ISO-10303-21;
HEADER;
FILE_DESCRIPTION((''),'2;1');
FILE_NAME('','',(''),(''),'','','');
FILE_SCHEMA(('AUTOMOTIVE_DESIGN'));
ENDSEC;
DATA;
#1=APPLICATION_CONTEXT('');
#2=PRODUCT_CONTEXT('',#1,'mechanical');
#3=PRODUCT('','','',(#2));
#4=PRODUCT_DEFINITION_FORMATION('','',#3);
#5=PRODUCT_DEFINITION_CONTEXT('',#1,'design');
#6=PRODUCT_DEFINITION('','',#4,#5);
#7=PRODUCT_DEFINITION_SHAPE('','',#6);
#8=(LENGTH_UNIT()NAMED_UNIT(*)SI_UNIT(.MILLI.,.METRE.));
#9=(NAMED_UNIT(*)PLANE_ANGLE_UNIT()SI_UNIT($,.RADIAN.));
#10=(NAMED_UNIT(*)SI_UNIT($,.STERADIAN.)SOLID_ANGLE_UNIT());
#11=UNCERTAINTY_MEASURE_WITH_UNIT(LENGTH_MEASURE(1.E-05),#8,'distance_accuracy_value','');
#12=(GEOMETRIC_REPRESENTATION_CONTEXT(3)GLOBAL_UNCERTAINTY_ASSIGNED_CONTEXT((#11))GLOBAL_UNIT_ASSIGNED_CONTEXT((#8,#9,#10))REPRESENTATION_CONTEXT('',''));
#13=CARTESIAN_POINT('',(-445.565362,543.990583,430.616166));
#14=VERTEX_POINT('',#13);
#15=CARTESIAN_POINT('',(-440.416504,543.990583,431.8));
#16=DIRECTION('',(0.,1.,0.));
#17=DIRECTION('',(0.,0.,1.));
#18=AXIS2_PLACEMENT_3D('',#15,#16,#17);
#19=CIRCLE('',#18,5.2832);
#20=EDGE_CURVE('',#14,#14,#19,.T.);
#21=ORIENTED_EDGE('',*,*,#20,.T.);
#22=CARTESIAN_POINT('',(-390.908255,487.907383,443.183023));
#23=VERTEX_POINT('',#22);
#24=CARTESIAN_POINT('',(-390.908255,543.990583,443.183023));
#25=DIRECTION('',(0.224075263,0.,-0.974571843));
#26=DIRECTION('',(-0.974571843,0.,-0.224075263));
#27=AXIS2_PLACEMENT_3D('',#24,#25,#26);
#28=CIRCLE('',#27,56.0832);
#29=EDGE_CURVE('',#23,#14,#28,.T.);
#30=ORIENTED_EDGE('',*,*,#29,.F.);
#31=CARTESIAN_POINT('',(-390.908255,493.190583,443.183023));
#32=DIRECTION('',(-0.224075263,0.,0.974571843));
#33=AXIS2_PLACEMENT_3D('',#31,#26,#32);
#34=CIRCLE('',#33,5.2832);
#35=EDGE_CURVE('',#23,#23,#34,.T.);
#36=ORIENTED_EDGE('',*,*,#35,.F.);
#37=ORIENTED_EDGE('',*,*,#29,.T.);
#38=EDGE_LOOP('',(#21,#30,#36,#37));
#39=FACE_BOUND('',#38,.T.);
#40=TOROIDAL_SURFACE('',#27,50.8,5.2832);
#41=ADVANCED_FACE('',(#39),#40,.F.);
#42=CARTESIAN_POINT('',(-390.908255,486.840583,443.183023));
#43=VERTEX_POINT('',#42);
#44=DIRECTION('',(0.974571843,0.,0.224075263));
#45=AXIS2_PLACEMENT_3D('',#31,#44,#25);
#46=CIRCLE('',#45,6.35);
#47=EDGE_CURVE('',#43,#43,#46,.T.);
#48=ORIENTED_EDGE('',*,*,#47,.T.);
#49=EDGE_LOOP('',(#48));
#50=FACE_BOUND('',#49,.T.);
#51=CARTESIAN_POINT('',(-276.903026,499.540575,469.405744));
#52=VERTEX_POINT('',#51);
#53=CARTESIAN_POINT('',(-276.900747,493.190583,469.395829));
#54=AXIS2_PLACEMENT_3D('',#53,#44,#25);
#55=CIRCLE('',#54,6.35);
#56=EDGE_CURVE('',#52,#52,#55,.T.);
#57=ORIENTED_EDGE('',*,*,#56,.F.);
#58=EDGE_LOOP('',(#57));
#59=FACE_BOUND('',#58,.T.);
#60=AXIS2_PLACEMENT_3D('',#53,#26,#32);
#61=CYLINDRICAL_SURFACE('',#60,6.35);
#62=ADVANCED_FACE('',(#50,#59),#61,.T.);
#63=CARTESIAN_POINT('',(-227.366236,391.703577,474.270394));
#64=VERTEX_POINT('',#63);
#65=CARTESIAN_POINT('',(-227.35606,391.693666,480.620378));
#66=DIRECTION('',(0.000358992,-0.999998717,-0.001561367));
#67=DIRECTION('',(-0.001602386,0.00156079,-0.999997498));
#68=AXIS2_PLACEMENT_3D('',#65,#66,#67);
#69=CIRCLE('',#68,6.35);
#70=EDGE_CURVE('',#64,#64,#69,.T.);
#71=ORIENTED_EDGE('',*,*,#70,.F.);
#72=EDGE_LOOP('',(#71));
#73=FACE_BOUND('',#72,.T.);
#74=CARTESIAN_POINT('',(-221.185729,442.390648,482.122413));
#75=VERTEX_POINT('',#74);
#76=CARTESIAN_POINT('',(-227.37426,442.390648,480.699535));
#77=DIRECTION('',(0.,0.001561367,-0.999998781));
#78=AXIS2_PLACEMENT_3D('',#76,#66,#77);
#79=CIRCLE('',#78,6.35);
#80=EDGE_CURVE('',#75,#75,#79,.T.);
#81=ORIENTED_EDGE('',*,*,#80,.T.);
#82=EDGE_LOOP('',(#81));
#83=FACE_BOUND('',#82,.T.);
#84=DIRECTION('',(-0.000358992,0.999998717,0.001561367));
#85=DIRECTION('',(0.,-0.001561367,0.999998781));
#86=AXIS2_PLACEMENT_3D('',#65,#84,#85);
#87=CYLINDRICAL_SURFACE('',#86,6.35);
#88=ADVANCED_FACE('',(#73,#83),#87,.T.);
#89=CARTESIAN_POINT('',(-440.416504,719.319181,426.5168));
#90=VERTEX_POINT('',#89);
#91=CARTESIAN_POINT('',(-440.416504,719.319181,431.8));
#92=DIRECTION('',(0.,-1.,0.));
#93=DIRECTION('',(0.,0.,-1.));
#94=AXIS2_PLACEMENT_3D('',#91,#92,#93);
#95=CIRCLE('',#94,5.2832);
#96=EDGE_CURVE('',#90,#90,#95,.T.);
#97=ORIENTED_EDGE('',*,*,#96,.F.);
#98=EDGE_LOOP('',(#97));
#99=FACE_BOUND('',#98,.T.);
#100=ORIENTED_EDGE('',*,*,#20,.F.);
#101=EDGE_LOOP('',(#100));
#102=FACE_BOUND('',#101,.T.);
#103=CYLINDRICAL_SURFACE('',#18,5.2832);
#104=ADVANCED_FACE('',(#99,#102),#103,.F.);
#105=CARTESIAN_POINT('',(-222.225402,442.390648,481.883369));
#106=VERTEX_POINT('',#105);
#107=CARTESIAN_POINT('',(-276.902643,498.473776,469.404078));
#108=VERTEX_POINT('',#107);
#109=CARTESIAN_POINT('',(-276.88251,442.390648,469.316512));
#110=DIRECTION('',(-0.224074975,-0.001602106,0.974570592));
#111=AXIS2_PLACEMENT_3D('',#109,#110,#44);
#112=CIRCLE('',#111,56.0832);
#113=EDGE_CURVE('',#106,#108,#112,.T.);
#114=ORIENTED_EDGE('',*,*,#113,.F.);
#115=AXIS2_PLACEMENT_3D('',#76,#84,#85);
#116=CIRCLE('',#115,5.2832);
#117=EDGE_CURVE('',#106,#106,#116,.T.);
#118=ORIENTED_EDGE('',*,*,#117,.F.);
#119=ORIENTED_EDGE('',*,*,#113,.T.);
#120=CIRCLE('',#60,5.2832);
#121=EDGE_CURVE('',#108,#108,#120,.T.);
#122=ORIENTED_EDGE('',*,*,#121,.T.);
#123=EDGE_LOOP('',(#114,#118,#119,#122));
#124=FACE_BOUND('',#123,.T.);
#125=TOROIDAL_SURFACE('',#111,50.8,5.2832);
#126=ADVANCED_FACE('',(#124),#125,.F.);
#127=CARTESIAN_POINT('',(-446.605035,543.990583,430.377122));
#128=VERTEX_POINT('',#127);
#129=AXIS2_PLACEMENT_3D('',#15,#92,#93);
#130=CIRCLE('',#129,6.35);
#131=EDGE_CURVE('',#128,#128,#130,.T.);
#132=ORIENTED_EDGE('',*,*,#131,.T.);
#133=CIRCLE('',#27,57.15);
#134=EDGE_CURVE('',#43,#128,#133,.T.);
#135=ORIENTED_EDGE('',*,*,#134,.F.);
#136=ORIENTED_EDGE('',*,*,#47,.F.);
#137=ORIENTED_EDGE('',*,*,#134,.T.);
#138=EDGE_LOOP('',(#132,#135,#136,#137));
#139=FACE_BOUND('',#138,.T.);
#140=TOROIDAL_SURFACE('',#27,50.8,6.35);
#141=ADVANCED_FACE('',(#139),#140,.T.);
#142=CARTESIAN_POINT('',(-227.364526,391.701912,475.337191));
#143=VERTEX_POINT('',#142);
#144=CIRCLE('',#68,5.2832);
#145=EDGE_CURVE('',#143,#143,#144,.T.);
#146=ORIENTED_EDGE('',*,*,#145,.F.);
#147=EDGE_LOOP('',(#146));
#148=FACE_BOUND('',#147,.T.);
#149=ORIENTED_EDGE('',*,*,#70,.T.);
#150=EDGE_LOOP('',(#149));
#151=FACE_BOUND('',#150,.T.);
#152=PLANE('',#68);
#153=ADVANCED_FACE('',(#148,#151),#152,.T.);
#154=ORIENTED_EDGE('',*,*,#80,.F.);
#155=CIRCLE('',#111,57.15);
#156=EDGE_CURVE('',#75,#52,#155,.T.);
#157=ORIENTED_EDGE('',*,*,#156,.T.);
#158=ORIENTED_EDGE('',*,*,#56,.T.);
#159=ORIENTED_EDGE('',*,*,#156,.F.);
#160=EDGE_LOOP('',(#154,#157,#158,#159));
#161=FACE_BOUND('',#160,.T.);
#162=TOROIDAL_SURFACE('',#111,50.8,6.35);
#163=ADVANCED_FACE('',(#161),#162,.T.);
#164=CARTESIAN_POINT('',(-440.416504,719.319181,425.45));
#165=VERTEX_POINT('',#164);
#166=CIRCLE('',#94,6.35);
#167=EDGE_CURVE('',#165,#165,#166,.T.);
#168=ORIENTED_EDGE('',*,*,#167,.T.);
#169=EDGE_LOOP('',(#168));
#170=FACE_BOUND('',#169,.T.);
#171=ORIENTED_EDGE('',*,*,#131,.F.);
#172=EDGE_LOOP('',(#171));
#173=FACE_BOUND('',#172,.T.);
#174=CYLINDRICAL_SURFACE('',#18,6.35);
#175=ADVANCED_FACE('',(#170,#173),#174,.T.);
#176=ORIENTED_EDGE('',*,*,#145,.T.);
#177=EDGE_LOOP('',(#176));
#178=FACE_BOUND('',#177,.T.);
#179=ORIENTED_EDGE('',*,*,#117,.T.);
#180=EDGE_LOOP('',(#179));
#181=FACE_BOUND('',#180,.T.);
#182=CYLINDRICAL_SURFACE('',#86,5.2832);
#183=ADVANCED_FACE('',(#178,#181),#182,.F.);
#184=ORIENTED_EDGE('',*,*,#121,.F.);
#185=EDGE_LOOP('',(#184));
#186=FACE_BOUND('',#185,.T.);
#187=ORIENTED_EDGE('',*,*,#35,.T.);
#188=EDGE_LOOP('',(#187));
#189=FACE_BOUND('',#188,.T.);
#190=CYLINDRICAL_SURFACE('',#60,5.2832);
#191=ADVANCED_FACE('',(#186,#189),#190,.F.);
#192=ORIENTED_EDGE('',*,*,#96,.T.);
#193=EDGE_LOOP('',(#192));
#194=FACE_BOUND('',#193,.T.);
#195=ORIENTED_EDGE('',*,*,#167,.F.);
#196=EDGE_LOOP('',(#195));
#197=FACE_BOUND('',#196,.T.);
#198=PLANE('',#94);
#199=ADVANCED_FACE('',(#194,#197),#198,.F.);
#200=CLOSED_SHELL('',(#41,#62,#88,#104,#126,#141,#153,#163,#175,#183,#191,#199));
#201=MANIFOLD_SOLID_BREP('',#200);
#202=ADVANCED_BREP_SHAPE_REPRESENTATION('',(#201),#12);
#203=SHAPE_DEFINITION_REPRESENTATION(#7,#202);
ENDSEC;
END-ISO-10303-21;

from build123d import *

# Parameters (mm, degrees)
SKETCH1_R                 = 6.35
SKETCH1_R_2               = 5.2832
PIPE_0_5_SCH_40_1_DEPTH   = 175.328598267
SKETCH1_ON_SEGMENT_2_R    = 6.35
SKETCH1_ON_SEGMENT_2_R_2  = 5.2832
PIPE_0_5_SCH_40_1_2_ANGLE = 90
SKETCH1_ON_SEGMENT_3_R    = 6.35
SKETCH1_ON_SEGMENT_3_R_2  = 5.2832
PIPE_0_5_SCH_40_1_3_DEPTH = 116.982148253
SKETCH1_ON_SEGMENT_4_R    = 6.35
SKETCH1_ON_SEGMENT_4_R_2  = 5.2832
PIPE_0_5_SCH_40_1_4_ANGLE = 90
SKETCH1_ON_SEGMENT_5_R    = 6.35
SKETCH1_ON_SEGMENT_5_R_2  = 5.2832
PIPE_0_5_SCH_40_1_5_DEPTH = 50.697047229


with BuildPart() as part:
    # Sketch1 → Pipe 0.5 SCH 40(1) (new body)
    with BuildSketch(Plane(origin=(-440.41650414, 719.319181201, 431.8), x_dir=(1, 0, 0), z_dir=(0, -1, 0))):
        Circle(SKETCH1_R)
        Circle(SKETCH1_R_2, mode=Mode.SUBTRACT)
    extrude(amount=PIPE_0_5_SCH_40_1_DEPTH)


with BuildPart() as body_2:
    # Sketch1 on segment 2 (carried to the start of arc 2) → Pipe 0.5 SCH 40_1 2 (revolve)
    with BuildSketch(Plane(origin=(-440.41650414, 543.990582935, 431.8), x_dir=(1, 0, 0), z_dir=(0, -1, 0))):
        Circle(SKETCH1_ON_SEGMENT_2_R)
        Circle(SKETCH1_ON_SEGMENT_2_R_2, mode=Mode.SUBTRACT)
    revolve(axis=Axis((-390.908254533, 543.990582935, 443.183023362), (-0.224075263, 0, 0.974571843)), revolution_arc=PIPE_0_5_SCH_40_1_2_ANGLE)


with BuildPart() as body_3:
    # Sketch1 on segment 3 (carried to segment 3) → Pipe 0.5 SCH 40_1 3 (new body)
    with BuildSketch(Plane(origin=(-390.908254533, 493.190582935, 443.183023362), x_dir=(0.050209724, 0.974571843, -0.218377442), z_dir=(0.974571843, 0, 0.224075263))):
        Circle(SKETCH1_ON_SEGMENT_3_R)
        Circle(SKETCH1_ON_SEGMENT_3_R_2, mode=Mode.SUBTRACT)
    extrude(amount=PIPE_0_5_SCH_40_1_3_DEPTH)


with BuildPart() as body_4:
    # Sketch1 on segment 4 (carried to the start of arc 4) → Pipe 0.5 SCH 40_1 4 (revolve)
    with BuildSketch(Plane(origin=(-276.900746752, 493.190582935, 469.395829002), x_dir=(0.050209724, 0.974571843, -0.218377442), z_dir=(0.974571843, 0, 0.224075263))):
        Circle(SKETCH1_ON_SEGMENT_4_R)
        Circle(SKETCH1_ON_SEGMENT_4_R_2, mode=Mode.SUBTRACT)
    revolve(axis=Axis((-276.882509946, 442.39064813, 469.316511553), (0.224074975, 0.001602106, -0.974570592)), revolution_arc=PIPE_0_5_SCH_40_1_4_ANGLE)


with BuildPart() as body_5:
    # Sketch1 on segment 5 (carried to segment 5) → Pipe 0.5 SCH 40_1 5 (new body)
    with BuildSketch(Plane(origin=(-227.374260339, 442.39064813, 480.699534915), x_dir=(0.999999936, 0.000358992, 2.8e-07), z_dir=(0.000358992, -0.999998717, -0.001561367))):
        Circle(SKETCH1_ON_SEGMENT_5_R)
        Circle(SKETCH1_ON_SEGMENT_5_R_2, mode=Mode.SUBTRACT)
    extrude(amount=PIPE_0_5_SCH_40_1_5_DEPTH)


with BuildPart() as part_1:
    add(part.part)

    # Pipe 0.5 SCH 40(1) as one body: union body 2, body 3, body 4, body 5
    add(body_2.part)
    add(body_3.part)
    add(body_4.part)
    add(body_5.part)


solid = part_1.part
